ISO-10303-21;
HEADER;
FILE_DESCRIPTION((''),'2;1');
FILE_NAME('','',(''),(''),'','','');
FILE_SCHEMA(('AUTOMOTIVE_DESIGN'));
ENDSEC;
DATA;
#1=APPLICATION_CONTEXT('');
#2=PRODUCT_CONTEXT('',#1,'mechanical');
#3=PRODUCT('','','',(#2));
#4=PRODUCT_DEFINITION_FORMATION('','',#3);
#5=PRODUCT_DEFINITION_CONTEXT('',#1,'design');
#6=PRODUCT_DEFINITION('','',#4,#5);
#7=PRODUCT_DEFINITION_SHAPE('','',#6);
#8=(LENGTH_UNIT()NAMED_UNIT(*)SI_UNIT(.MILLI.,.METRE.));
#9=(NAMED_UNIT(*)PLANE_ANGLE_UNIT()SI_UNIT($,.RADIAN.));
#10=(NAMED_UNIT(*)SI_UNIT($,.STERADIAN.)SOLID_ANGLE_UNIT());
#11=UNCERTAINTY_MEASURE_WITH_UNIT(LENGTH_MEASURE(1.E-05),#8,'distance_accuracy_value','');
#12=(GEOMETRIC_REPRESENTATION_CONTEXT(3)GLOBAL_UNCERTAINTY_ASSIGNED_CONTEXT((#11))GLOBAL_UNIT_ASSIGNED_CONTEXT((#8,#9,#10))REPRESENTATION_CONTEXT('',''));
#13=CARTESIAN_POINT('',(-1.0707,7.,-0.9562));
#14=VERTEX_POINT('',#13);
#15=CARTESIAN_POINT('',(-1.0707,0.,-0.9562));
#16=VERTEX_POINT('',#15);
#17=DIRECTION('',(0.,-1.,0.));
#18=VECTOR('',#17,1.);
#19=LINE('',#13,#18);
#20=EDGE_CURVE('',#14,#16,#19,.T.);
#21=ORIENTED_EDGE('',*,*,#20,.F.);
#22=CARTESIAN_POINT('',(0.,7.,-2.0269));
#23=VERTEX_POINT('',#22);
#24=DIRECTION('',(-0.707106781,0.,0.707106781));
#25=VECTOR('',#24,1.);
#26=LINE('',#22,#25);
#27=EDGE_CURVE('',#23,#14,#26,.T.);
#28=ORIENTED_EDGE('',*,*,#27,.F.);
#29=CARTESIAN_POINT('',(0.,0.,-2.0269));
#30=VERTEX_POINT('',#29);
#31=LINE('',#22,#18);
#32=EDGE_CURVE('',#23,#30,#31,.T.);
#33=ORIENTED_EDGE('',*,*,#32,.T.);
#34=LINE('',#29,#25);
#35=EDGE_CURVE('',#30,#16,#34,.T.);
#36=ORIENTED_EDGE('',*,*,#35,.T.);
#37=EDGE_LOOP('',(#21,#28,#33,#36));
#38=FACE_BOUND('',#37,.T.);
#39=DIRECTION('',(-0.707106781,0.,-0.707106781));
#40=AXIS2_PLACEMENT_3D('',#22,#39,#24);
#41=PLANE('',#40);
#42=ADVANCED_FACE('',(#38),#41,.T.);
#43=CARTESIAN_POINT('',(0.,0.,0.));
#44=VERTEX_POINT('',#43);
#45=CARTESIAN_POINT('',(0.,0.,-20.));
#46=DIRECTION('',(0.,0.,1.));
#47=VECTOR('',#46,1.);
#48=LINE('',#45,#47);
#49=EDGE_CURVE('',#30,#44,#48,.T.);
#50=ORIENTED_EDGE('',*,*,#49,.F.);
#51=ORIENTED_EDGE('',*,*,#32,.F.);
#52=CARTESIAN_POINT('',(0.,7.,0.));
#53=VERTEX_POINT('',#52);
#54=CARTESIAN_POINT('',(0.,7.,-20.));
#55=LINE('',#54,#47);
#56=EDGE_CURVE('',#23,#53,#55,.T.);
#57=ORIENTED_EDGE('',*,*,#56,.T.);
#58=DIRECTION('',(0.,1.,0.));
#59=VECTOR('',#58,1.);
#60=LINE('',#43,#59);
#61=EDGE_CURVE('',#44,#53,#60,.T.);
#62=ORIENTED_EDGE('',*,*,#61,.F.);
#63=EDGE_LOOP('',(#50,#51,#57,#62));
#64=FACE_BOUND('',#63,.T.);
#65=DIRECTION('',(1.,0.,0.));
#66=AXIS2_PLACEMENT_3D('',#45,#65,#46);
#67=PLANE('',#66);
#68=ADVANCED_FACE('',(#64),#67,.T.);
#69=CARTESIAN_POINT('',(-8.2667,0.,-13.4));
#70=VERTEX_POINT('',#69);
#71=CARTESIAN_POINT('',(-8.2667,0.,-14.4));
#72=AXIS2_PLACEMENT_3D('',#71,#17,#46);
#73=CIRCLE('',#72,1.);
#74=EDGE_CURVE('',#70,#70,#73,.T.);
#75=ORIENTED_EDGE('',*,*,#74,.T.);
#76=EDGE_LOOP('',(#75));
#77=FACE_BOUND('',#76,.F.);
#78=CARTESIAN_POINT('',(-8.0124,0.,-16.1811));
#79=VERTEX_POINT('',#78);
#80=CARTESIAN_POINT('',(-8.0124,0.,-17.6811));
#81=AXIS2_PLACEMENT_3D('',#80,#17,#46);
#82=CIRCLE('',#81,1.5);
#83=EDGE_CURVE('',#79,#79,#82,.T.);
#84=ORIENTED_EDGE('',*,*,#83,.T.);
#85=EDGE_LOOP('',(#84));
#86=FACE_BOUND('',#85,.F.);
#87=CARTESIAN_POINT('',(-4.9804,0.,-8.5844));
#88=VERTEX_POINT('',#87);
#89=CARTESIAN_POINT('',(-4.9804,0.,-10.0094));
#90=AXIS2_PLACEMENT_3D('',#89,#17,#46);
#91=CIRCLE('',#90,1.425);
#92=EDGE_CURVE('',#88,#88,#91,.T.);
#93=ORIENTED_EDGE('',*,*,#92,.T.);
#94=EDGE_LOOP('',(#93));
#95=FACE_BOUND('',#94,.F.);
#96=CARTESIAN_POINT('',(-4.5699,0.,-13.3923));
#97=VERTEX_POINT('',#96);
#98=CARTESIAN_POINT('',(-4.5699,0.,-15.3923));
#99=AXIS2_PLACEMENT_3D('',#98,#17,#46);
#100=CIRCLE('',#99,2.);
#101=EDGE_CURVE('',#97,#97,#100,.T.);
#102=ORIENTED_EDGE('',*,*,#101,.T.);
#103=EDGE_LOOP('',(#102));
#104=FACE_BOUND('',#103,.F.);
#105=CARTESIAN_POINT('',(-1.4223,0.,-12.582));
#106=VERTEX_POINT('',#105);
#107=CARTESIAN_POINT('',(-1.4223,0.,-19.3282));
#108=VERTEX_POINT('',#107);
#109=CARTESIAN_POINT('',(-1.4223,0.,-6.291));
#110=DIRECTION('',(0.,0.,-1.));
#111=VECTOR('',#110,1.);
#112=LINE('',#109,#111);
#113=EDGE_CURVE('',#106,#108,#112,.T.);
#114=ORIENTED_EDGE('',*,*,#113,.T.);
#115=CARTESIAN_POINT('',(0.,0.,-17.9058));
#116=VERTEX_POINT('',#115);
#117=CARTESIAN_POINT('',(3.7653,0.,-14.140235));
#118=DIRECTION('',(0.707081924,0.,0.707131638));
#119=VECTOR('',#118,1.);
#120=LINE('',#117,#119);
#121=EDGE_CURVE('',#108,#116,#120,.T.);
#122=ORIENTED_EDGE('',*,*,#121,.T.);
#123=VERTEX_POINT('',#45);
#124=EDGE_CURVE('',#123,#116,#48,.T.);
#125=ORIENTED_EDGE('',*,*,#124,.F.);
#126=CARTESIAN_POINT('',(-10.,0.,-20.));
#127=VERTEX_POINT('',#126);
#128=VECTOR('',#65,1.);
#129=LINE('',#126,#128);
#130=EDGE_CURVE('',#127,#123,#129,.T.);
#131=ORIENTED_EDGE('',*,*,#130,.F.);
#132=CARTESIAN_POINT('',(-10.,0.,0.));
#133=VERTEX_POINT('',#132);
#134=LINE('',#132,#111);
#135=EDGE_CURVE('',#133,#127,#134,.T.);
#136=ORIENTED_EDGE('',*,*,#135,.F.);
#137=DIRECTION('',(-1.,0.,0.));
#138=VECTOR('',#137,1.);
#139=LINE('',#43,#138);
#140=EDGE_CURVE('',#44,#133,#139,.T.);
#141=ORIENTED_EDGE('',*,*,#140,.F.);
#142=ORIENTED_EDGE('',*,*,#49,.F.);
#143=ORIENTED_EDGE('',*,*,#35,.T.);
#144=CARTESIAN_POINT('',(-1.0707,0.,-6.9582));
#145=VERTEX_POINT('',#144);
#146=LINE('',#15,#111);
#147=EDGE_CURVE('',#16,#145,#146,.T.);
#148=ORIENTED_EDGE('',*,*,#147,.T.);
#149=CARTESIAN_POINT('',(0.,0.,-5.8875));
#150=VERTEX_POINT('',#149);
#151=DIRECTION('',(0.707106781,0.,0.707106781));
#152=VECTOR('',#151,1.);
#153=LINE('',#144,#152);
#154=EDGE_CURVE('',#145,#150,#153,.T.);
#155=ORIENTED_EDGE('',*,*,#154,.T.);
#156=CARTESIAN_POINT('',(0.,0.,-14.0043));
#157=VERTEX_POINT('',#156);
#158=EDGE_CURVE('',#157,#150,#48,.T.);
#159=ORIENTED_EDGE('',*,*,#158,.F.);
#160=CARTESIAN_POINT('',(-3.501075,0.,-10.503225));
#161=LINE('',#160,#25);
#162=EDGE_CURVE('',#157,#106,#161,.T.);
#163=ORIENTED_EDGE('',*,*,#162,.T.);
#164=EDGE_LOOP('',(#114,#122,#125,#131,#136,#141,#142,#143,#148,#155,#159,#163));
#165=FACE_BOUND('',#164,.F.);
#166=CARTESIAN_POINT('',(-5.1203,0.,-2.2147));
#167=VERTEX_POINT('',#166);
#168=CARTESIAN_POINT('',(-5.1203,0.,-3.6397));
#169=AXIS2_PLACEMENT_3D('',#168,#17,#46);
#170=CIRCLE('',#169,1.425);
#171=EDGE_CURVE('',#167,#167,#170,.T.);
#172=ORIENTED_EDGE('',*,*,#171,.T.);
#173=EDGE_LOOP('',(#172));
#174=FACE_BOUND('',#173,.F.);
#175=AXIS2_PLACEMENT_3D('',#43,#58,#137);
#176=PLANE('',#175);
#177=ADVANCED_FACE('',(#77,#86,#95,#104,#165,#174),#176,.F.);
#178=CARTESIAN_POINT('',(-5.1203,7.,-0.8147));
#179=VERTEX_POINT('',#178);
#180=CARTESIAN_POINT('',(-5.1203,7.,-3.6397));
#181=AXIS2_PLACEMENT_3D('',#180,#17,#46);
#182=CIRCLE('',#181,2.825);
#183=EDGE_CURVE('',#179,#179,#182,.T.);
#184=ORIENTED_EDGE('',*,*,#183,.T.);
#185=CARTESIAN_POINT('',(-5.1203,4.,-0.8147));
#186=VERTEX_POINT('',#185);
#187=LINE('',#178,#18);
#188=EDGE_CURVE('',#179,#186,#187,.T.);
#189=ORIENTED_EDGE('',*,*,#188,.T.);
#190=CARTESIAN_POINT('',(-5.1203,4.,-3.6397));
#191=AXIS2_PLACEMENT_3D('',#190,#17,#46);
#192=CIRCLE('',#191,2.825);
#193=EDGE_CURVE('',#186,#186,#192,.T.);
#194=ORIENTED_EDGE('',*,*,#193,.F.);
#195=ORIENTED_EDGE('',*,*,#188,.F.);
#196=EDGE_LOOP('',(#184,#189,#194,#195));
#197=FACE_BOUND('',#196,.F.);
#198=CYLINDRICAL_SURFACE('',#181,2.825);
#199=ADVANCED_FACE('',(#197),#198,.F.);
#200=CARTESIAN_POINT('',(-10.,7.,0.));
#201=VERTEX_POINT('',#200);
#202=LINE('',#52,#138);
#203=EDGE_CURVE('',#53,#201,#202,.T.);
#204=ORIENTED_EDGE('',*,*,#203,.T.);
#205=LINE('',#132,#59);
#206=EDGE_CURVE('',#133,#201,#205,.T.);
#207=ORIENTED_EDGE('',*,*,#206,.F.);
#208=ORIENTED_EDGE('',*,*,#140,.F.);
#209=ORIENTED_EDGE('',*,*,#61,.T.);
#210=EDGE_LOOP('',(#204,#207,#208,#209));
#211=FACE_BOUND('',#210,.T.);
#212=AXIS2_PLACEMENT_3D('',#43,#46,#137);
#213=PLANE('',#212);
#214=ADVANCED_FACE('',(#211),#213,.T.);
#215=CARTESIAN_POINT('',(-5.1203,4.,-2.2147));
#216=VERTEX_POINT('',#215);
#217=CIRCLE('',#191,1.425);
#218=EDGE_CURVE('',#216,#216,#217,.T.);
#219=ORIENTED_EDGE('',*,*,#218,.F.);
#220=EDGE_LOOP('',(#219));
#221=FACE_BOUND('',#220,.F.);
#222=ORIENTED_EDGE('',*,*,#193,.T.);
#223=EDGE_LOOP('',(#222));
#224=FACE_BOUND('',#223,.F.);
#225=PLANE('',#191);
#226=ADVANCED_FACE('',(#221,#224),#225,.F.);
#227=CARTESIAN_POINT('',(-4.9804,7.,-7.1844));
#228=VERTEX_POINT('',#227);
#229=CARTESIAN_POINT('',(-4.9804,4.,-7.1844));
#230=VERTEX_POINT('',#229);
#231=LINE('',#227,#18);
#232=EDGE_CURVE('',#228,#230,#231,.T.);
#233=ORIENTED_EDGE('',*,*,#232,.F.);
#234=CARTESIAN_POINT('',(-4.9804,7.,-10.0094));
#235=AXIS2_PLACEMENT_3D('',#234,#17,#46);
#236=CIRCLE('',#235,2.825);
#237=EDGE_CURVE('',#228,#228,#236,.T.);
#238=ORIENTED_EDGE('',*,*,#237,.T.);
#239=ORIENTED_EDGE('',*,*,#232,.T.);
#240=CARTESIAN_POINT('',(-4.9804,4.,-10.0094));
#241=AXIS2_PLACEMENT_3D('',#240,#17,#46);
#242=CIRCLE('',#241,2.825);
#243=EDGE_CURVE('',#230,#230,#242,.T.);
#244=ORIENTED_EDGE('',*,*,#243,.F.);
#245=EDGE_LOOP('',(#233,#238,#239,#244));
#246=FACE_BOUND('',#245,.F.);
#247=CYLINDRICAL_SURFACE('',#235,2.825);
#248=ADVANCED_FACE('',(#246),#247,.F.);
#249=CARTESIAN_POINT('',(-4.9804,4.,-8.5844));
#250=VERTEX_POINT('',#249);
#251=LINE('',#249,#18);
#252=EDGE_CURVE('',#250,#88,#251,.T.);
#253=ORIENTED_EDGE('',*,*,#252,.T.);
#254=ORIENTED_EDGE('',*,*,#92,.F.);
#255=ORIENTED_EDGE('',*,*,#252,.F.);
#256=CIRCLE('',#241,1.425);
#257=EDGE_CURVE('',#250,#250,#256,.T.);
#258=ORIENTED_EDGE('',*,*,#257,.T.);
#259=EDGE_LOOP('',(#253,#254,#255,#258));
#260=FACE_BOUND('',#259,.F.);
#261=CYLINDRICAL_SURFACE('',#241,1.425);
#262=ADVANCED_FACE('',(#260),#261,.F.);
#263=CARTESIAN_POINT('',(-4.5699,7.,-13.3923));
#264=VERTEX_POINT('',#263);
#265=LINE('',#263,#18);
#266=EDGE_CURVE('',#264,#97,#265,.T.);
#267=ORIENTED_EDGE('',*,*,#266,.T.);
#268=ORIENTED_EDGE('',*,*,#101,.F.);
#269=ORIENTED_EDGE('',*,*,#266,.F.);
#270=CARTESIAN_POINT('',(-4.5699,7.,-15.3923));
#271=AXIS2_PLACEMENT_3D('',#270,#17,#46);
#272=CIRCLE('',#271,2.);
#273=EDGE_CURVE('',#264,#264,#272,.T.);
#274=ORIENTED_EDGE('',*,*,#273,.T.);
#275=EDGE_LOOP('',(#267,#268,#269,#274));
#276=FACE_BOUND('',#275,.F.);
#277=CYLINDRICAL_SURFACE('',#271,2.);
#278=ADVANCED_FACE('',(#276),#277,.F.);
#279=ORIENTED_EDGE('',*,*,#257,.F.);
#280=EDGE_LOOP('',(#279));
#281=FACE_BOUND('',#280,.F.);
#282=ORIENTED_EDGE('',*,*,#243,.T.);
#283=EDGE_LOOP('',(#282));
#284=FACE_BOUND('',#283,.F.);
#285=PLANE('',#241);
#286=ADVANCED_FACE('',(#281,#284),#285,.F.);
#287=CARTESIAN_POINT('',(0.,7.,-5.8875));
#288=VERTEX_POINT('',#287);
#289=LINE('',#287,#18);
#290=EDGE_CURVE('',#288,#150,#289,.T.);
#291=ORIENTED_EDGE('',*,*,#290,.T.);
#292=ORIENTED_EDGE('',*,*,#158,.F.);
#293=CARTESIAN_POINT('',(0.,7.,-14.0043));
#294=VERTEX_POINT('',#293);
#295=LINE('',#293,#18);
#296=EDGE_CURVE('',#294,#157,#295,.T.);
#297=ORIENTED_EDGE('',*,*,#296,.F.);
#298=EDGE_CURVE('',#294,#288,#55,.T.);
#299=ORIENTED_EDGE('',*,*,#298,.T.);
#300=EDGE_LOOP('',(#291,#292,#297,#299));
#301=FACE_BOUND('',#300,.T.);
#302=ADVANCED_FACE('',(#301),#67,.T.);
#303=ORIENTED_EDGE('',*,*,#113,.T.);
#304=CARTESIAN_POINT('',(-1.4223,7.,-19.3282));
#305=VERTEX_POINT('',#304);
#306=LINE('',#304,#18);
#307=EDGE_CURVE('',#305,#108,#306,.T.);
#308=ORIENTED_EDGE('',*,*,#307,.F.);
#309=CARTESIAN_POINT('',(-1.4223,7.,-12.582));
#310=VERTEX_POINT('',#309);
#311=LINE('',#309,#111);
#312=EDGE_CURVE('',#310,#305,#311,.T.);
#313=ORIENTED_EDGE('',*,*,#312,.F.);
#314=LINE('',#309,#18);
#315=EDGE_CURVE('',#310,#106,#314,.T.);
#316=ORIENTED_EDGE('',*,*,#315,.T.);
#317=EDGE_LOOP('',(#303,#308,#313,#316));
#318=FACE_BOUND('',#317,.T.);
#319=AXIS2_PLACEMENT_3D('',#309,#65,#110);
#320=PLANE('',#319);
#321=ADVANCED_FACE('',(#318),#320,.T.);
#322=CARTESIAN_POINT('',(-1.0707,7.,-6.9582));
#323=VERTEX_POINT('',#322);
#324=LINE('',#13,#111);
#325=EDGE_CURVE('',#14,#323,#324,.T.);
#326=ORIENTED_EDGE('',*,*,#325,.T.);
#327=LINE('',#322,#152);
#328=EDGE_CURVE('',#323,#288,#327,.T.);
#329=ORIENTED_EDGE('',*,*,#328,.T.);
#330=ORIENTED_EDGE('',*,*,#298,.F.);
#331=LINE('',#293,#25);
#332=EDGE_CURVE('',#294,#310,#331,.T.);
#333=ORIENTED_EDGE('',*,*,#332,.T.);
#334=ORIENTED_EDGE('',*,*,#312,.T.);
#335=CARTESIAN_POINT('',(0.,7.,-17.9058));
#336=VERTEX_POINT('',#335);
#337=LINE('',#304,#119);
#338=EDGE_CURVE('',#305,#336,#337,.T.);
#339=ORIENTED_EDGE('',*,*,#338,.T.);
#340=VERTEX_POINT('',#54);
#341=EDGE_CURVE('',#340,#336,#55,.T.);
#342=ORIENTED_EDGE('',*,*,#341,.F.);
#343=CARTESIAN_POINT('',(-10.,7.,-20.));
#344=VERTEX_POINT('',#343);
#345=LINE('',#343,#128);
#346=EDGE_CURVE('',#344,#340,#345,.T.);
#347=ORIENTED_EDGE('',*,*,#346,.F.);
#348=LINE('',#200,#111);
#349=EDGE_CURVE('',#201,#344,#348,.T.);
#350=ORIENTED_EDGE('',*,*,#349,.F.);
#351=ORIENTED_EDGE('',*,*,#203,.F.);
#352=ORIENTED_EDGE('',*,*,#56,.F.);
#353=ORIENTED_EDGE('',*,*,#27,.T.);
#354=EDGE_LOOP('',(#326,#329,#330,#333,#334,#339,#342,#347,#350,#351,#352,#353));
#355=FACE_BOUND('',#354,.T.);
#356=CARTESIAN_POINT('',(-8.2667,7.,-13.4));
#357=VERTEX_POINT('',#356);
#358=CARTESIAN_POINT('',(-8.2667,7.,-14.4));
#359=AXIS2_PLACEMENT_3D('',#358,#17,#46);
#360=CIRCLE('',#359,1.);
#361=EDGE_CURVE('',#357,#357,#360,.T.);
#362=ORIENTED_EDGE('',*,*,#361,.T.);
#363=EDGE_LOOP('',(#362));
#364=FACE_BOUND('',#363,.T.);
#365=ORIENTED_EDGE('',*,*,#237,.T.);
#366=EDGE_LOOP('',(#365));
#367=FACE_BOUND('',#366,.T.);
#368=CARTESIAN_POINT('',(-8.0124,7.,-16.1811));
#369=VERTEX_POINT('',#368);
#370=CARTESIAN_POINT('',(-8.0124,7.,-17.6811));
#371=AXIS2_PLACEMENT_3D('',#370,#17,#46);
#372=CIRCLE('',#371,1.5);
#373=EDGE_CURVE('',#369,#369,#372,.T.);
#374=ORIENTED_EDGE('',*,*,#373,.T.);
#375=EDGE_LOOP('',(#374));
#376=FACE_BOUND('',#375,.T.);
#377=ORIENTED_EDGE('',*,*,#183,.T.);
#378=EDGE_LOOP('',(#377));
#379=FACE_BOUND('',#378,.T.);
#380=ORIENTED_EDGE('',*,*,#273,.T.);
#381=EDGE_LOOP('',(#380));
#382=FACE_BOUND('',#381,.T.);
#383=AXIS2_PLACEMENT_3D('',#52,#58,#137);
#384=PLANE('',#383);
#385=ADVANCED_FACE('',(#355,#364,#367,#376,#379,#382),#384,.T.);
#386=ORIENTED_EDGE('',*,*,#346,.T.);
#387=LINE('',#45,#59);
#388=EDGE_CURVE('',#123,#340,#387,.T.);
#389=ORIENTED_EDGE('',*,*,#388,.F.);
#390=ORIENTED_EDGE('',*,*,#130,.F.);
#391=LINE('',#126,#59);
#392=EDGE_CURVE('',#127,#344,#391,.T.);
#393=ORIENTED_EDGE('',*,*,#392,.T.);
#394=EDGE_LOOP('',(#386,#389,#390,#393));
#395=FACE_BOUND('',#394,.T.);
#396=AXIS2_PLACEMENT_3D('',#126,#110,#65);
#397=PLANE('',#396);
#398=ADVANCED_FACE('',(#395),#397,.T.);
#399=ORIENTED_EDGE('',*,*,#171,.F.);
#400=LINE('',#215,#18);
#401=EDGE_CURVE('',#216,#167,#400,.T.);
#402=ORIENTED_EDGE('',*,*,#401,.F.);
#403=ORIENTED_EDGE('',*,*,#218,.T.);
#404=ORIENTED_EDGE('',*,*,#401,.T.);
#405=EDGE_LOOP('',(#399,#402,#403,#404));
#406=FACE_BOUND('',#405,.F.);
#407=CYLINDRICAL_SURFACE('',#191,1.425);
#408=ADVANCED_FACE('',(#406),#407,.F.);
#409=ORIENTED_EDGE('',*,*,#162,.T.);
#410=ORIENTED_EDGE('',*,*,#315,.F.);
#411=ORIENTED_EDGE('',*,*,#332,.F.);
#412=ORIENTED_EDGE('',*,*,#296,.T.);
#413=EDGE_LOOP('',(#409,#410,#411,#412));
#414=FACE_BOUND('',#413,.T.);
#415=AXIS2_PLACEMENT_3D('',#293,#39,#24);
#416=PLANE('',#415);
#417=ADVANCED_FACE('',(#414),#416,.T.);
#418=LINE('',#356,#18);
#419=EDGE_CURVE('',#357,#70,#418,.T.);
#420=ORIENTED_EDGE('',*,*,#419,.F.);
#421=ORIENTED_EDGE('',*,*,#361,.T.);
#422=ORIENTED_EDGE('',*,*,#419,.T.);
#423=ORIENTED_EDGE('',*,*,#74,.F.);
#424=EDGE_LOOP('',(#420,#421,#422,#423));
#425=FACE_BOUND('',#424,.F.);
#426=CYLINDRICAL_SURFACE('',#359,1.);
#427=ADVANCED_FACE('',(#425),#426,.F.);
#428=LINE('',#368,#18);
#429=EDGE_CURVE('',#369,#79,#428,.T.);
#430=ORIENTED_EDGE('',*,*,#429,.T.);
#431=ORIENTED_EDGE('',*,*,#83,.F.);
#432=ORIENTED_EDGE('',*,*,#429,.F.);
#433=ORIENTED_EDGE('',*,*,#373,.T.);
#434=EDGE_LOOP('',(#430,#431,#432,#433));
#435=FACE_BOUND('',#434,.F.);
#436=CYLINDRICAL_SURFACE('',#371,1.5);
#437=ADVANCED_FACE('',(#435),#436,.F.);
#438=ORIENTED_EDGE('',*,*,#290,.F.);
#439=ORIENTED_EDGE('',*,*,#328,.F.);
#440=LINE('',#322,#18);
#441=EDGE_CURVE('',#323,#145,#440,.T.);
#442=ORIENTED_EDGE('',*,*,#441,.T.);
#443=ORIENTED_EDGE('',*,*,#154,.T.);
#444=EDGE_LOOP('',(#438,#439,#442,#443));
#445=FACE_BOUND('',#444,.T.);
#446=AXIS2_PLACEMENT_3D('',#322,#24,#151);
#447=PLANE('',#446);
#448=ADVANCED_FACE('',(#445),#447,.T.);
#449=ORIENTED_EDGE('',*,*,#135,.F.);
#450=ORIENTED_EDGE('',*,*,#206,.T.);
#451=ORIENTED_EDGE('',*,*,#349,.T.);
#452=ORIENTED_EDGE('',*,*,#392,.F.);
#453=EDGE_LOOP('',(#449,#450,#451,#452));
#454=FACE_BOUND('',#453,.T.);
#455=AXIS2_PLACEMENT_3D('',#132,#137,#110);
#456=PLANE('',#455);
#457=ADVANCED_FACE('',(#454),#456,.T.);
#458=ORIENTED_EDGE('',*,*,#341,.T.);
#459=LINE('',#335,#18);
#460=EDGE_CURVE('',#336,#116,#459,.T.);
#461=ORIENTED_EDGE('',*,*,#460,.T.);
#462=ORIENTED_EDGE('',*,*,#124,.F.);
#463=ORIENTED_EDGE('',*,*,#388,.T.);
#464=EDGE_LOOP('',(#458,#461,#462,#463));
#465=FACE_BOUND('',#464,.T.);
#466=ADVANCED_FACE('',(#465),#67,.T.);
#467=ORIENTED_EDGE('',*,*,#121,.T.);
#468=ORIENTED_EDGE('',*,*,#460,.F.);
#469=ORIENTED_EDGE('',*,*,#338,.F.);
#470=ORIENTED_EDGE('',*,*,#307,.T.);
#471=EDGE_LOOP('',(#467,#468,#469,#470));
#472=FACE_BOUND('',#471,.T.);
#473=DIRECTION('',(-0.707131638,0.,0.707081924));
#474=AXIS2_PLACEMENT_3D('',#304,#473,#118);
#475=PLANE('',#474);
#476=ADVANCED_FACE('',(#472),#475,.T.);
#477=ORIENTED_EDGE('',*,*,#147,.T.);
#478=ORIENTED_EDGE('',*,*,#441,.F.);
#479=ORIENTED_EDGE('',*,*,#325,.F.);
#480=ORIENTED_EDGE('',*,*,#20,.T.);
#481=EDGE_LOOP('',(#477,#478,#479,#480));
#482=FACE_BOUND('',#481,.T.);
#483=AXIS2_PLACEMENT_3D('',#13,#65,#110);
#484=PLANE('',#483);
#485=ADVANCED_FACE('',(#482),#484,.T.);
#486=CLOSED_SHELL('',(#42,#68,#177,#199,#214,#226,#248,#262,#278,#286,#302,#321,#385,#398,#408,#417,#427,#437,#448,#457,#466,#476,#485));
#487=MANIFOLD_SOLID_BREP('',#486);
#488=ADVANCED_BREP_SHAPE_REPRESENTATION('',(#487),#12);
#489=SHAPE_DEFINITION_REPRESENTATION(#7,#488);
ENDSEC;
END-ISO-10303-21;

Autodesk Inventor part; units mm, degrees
ref_plane "YZ Plane" through (0, 0, 0) normal (1, 0, 0) x (0, 1, 0)
ref_plane "XZ Plane" through (0, 0, 0) normal (0, 1, 0) x (-1, 0, 0)
ref_plane "XY Plane" through (0, 0, 0) normal (0, 0, 1) x (1, 0, 0)
sketch "Sketch1" plane through (0, 0, 0) normal (0, 1, 0) x (-1, 0, 0)
  line L0 (0, 0) -> (10, 0)
  line L1 (10, 0) -> (10, -20)
  line L2 (10, -20) -> (0, -20)
  line L3 (0, -20) -> (0, 0)
  dimension "d0" = 10
  dimension "d1" = 20
extrude "Extrusion1" add sketch "Sketch1" along normal blind 7
sketch "Sketch2" plane through (0, 7, 0) normal (0, 1, 0) x (1, 0, 0)
  line L0 (-10, 20) -> (-10, 0) construction
  line L1 (-5, 20) -> (-5, 0) construction
  line L2 (-10, 0) -> (0, 0) construction
  line L3 (-10, 10) -> (0, 10) construction
  line L4 (0, 0) -> (0, 20) construction
sketch "Sketch3" plane through (0, 7, 0) normal (0, 1, 0) x (1, 0, 0)
  point P0 (0, 0)
  point P1 (-5.1203, 3.6397)
hole "Hole1" at (-5.1203, 7, -3.6397) direction (0, -1, 0) diameter 2.85 depth 13.15 counterbore diameter 5.65 counterbore depth 3
sketch "Sketch4" plane through (0, 7, 0) normal (0, 1, 0) x (1, 0, 0)
  point P0 (0, 0)
  point P1 (-4.9804, 10.0094)
hole "Hole2" at (-4.9804, 7, -10.0094) direction (0, -1, 0) diameter 2.85 depth 9.05 counterbore diameter 5.65 counterbore depth 3
sketch "Sketch5" plane through (0, 7, 0) normal (0, 1, 0) x (1, 0, 0)
  point P0 (0, 0)
  point P1 (-8.0124, 17.6811)
hole "Hole3" at (-8.0124, 7, -17.6811) direction (0, -1, 0) diameter 3 end through all
sketch "Sketch6" plane through (0, 7, 0) normal (0, 1, 0) x (1, 0, 0)
  point P0 (0, 0)
  point P1 (-8.2667, 14.4)
hole "Hole4" at (-8.2667, 7, -14.4) direction (0, -1, 0) diameter 2 end through all
sketch "Sketch7" plane through (0, 7, 0) normal (0, 1, 0) x (1, 0, 0)
  point P0 (0, 0)
  point P1 (-4.5699, 15.3923)
hole "Hole5" at (-4.5699, 7, -15.3923) direction (0, -1, 0) diameter 4 end through all
sketch "Sketch8" plane through (0, 7, 0) normal (0, 1, 0) x (1, 0, 0)
  line L0 (0, 0) -> (0, 20) projected
  line L1 (0, 14.0043) -> (-1.4223, 12.582)
  line L2 (-1.4223, 12.582) -> (-1.4223, 19.3282)
  line L3 (-1.4223, 19.3282) -> (0, 17.9058)
  line L4 (0, 14.0043) -> (0, 17.9058)
  dimension "d39" = 45
  dimension "d40" = 45
  dimension "d41" = 6.7462
  dimension "d42" = 1.4223
extrude "Extrusion2" cut sketch "Sketch8" against normal through all
sketch "Sketch9" plane through (0, 7, 0) normal (0, 1, 0) x (1, 0, 0)
  line L0 (0, 14.0043) -> (0, 0) projected
  line L1 (0, 2.0269) -> (-1.0707, 0.9562)
  line L2 (-1.0707, 0.9562) -> (-1.0707, 6.9582)
  line L3 (-1.0707, 6.9582) -> (0, 5.8875)
  dimension "d45" = 45
  dimension "d46" = 45
  dimension "d47" = 6.002
  dimension "d48" = 1.0707
extrude "Extrusion3" cut sketch "Sketch9" against normal blind 7
equation "\"d40\" = d39"
equation "\"d46\" = d45"
properties part number "last_drill"
